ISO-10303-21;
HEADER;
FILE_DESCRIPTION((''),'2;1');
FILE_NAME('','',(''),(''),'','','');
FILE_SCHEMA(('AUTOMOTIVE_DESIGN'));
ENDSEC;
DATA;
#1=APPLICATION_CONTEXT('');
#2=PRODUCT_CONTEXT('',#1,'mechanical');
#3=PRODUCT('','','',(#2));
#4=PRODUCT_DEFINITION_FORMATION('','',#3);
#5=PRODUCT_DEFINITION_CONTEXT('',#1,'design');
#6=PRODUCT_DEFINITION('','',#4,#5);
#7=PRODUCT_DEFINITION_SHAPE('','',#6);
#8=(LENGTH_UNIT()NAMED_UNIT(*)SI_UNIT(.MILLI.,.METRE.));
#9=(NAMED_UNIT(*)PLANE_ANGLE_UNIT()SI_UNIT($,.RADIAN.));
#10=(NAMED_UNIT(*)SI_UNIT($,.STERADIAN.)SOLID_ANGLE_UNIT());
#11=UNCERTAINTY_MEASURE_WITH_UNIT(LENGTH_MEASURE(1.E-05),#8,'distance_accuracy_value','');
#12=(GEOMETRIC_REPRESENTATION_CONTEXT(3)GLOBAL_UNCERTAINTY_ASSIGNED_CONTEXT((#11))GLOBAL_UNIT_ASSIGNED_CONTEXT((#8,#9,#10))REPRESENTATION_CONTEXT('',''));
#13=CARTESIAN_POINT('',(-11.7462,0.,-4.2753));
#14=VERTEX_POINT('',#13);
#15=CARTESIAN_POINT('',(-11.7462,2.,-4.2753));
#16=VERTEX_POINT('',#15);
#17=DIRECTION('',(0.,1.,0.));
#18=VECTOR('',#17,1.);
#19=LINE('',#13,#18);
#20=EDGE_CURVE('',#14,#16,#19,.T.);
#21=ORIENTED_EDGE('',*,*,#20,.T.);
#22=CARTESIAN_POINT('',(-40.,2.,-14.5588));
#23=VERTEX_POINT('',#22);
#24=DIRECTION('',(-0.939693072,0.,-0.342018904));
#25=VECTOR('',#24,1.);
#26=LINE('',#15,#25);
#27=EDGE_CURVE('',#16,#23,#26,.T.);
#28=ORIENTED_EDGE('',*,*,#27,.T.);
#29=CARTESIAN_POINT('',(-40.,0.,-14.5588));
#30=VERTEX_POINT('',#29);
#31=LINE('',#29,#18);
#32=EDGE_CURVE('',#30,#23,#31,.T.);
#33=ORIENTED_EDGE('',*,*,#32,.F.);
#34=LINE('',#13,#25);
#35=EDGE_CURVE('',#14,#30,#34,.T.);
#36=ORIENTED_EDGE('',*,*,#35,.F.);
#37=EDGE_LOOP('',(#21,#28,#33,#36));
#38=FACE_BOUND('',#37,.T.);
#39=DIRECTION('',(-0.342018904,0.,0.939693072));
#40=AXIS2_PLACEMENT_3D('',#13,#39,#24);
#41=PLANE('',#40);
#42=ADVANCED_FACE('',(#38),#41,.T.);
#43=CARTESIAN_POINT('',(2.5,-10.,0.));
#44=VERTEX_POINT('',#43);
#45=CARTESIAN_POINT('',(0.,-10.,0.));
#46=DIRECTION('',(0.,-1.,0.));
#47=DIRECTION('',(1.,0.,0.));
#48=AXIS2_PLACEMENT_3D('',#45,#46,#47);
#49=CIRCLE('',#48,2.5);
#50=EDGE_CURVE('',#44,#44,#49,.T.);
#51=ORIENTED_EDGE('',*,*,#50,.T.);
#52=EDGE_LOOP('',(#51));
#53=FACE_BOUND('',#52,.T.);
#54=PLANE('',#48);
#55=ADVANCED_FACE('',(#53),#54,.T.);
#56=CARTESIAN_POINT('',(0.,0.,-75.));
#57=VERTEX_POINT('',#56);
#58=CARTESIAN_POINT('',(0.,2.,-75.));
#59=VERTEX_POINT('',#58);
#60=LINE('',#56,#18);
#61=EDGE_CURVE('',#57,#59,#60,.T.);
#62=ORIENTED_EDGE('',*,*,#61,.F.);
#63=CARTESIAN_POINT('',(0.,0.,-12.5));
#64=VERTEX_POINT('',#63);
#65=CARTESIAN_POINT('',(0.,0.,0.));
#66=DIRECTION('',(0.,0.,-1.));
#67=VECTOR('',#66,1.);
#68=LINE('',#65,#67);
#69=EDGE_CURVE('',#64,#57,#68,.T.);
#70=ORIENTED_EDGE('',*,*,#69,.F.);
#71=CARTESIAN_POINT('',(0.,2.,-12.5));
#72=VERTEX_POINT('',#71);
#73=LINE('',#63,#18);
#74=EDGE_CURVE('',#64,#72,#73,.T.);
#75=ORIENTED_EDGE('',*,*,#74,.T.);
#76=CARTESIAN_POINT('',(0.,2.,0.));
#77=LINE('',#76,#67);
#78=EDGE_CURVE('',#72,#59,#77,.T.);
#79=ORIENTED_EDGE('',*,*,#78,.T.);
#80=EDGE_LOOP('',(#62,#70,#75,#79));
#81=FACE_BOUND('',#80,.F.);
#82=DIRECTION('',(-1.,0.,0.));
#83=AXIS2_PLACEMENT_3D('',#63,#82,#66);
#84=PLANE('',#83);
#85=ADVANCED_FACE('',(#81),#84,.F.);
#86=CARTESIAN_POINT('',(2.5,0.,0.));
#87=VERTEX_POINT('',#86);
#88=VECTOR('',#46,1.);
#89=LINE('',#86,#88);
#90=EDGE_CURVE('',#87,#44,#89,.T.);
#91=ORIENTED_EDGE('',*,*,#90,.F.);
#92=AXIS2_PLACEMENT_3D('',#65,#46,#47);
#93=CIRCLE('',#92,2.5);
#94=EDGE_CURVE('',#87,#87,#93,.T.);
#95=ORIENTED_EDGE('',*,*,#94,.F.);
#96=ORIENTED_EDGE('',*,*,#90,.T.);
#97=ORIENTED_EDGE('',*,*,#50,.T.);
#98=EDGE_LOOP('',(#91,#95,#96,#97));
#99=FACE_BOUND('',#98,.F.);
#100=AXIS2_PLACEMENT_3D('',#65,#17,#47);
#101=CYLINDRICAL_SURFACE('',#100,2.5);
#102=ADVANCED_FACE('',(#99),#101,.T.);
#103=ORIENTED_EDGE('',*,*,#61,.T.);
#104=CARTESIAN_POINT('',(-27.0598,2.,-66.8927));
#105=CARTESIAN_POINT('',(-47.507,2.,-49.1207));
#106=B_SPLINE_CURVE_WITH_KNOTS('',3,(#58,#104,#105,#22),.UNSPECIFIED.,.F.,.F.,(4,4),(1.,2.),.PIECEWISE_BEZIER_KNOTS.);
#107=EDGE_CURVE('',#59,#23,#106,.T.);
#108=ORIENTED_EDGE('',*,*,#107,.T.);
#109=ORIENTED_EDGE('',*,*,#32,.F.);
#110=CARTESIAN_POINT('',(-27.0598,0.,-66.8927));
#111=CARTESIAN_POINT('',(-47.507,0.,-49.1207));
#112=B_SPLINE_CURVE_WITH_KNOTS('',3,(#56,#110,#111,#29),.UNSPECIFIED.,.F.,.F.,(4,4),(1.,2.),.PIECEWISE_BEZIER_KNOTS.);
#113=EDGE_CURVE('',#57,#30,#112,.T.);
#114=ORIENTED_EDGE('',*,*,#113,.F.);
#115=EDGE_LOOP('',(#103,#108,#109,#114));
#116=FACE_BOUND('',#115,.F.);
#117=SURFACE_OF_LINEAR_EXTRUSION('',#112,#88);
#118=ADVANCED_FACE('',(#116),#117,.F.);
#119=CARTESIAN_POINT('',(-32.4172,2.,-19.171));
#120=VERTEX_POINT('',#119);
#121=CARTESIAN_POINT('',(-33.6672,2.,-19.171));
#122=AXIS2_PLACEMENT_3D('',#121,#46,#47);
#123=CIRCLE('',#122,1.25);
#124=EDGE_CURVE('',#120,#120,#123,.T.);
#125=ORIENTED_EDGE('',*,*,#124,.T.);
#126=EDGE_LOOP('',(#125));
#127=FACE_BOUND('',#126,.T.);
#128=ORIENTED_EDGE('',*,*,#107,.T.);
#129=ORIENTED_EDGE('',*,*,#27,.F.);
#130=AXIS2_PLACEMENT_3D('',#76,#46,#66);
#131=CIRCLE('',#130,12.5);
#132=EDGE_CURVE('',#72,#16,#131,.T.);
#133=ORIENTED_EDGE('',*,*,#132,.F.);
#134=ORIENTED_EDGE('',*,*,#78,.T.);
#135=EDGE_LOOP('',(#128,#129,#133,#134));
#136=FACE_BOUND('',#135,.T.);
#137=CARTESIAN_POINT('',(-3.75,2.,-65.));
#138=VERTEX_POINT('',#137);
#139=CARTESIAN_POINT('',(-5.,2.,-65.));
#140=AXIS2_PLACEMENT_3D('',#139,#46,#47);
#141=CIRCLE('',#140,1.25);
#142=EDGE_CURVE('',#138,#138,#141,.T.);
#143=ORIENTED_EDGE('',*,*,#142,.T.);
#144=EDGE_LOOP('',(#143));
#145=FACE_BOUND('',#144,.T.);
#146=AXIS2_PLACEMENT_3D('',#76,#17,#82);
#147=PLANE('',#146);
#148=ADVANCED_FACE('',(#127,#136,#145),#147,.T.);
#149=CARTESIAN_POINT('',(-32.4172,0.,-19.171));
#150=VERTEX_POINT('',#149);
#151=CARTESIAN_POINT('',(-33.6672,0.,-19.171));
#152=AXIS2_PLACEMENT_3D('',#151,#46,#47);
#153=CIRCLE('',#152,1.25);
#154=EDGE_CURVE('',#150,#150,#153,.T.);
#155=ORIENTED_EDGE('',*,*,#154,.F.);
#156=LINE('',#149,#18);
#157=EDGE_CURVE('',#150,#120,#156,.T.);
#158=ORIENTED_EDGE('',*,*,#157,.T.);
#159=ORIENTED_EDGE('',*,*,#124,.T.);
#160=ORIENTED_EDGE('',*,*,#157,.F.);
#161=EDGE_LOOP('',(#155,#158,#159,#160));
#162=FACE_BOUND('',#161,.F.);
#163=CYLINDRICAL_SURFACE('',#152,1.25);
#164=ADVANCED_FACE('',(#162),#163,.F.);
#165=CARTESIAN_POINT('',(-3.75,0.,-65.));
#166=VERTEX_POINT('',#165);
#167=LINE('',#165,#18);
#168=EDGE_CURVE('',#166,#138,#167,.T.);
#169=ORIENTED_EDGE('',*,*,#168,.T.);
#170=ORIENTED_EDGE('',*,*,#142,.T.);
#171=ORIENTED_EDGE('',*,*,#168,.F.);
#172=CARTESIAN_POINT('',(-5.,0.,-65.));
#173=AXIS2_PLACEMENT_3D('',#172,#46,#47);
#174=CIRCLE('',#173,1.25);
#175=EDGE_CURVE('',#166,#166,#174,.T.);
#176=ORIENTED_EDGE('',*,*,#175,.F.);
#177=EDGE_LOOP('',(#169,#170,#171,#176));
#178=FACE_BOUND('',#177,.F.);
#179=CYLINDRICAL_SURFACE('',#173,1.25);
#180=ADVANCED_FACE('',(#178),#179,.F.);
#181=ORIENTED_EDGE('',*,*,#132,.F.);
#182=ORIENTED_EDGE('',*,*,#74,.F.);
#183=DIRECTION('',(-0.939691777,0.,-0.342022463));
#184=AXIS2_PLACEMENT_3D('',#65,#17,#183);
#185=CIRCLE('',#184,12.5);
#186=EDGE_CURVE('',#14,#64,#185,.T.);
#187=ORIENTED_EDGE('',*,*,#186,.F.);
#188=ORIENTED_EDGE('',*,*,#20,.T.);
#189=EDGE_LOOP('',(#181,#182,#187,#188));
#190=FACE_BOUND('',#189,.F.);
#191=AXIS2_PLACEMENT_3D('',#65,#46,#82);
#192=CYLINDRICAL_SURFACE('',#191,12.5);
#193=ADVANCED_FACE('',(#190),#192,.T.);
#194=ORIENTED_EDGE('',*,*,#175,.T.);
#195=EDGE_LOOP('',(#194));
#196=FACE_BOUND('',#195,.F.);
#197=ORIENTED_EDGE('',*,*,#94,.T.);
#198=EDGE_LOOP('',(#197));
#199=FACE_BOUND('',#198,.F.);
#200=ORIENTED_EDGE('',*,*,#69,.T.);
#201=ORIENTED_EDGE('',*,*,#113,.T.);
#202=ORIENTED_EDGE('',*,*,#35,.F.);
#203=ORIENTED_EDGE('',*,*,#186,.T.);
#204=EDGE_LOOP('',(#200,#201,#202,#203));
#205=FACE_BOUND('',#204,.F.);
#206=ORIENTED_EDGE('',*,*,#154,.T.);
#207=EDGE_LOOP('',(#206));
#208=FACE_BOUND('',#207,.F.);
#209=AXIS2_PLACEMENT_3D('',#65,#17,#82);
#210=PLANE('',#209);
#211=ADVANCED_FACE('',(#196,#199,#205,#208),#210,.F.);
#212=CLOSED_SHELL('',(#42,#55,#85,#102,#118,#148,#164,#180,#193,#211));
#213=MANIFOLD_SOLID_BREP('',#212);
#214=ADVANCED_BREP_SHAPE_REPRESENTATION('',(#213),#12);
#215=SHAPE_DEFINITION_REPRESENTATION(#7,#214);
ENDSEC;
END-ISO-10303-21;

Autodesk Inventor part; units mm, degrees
ref_plane "YZ Plane" through (0, 0, 0) normal (1, 0, 0) x (0, 1, 0)
ref_plane "XZ Plane" through (0, 0, 0) normal (0, 1, 0) x (-1, 0, 0)
ref_plane "XY Plane" through (0, 0, 0) normal (0, 0, 1) x (1, 0, 0)
sketch "Sketch1" plane through (0, 0, 0) normal (0, 1, 0) x (-1, 0, 0)
  circle A0 centre (0, 0) radius 12.5
  line L0 (11.7462, -4.2753) -> (40, -14.5588)
  line L1 (0, 0) -> (41.7481, 0) construction
  line L2 (0, 0) -> (11.7462, -4.2753) construction
  line L3 (0, 0) -> (0, -75)
  line L4 (0, -75) -> (27.0598, -66.8927) construction
  line L5 (27.0598, -66.8927) -> (47.507, -49.1207) construction
  line L6 (47.507, -49.1207) -> (40, -14.5588) construction
  spline S0 degree 3 poles (0, -75) (27.0598, -66.8927) (47.507, -49.1207) (40, -14.5588) knots 1 1 1 1 2 2 2 2
  point P0 (0, -12.5)
  dimension "d0" = 25
  dimension "d1" = 40
  dimension "d3" = 20
  dimension "d4" = 75
extrude "Extrusion1" add sketch "Sketch1" along normal blind 2
sketch "Sketch2" plane through (0, 0, 0) normal (0, -1, 0) x (1, 0, 0)
  circle A0 centre (0, 0) radius 2.5
  dimension "d7" = 5
extrude "Extrusion2" add sketch "Sketch2" along normal blind 10
sketch "Sketch4" plane through (0, 0, 0) normal (0, -1, 0) x (1, 0, 0)
  circle A0 centre (-33.6672, -19.171) radius 1.25 projected
  circle A1 centre (-5, -65) radius 1.25 projected
  point P0 (0, 0)
extrude "Extrusion4" cut sketch "Sketch4" against normal up to surface (2 mm away)
properties part number "clamshell half" material "ABS Plastic"
